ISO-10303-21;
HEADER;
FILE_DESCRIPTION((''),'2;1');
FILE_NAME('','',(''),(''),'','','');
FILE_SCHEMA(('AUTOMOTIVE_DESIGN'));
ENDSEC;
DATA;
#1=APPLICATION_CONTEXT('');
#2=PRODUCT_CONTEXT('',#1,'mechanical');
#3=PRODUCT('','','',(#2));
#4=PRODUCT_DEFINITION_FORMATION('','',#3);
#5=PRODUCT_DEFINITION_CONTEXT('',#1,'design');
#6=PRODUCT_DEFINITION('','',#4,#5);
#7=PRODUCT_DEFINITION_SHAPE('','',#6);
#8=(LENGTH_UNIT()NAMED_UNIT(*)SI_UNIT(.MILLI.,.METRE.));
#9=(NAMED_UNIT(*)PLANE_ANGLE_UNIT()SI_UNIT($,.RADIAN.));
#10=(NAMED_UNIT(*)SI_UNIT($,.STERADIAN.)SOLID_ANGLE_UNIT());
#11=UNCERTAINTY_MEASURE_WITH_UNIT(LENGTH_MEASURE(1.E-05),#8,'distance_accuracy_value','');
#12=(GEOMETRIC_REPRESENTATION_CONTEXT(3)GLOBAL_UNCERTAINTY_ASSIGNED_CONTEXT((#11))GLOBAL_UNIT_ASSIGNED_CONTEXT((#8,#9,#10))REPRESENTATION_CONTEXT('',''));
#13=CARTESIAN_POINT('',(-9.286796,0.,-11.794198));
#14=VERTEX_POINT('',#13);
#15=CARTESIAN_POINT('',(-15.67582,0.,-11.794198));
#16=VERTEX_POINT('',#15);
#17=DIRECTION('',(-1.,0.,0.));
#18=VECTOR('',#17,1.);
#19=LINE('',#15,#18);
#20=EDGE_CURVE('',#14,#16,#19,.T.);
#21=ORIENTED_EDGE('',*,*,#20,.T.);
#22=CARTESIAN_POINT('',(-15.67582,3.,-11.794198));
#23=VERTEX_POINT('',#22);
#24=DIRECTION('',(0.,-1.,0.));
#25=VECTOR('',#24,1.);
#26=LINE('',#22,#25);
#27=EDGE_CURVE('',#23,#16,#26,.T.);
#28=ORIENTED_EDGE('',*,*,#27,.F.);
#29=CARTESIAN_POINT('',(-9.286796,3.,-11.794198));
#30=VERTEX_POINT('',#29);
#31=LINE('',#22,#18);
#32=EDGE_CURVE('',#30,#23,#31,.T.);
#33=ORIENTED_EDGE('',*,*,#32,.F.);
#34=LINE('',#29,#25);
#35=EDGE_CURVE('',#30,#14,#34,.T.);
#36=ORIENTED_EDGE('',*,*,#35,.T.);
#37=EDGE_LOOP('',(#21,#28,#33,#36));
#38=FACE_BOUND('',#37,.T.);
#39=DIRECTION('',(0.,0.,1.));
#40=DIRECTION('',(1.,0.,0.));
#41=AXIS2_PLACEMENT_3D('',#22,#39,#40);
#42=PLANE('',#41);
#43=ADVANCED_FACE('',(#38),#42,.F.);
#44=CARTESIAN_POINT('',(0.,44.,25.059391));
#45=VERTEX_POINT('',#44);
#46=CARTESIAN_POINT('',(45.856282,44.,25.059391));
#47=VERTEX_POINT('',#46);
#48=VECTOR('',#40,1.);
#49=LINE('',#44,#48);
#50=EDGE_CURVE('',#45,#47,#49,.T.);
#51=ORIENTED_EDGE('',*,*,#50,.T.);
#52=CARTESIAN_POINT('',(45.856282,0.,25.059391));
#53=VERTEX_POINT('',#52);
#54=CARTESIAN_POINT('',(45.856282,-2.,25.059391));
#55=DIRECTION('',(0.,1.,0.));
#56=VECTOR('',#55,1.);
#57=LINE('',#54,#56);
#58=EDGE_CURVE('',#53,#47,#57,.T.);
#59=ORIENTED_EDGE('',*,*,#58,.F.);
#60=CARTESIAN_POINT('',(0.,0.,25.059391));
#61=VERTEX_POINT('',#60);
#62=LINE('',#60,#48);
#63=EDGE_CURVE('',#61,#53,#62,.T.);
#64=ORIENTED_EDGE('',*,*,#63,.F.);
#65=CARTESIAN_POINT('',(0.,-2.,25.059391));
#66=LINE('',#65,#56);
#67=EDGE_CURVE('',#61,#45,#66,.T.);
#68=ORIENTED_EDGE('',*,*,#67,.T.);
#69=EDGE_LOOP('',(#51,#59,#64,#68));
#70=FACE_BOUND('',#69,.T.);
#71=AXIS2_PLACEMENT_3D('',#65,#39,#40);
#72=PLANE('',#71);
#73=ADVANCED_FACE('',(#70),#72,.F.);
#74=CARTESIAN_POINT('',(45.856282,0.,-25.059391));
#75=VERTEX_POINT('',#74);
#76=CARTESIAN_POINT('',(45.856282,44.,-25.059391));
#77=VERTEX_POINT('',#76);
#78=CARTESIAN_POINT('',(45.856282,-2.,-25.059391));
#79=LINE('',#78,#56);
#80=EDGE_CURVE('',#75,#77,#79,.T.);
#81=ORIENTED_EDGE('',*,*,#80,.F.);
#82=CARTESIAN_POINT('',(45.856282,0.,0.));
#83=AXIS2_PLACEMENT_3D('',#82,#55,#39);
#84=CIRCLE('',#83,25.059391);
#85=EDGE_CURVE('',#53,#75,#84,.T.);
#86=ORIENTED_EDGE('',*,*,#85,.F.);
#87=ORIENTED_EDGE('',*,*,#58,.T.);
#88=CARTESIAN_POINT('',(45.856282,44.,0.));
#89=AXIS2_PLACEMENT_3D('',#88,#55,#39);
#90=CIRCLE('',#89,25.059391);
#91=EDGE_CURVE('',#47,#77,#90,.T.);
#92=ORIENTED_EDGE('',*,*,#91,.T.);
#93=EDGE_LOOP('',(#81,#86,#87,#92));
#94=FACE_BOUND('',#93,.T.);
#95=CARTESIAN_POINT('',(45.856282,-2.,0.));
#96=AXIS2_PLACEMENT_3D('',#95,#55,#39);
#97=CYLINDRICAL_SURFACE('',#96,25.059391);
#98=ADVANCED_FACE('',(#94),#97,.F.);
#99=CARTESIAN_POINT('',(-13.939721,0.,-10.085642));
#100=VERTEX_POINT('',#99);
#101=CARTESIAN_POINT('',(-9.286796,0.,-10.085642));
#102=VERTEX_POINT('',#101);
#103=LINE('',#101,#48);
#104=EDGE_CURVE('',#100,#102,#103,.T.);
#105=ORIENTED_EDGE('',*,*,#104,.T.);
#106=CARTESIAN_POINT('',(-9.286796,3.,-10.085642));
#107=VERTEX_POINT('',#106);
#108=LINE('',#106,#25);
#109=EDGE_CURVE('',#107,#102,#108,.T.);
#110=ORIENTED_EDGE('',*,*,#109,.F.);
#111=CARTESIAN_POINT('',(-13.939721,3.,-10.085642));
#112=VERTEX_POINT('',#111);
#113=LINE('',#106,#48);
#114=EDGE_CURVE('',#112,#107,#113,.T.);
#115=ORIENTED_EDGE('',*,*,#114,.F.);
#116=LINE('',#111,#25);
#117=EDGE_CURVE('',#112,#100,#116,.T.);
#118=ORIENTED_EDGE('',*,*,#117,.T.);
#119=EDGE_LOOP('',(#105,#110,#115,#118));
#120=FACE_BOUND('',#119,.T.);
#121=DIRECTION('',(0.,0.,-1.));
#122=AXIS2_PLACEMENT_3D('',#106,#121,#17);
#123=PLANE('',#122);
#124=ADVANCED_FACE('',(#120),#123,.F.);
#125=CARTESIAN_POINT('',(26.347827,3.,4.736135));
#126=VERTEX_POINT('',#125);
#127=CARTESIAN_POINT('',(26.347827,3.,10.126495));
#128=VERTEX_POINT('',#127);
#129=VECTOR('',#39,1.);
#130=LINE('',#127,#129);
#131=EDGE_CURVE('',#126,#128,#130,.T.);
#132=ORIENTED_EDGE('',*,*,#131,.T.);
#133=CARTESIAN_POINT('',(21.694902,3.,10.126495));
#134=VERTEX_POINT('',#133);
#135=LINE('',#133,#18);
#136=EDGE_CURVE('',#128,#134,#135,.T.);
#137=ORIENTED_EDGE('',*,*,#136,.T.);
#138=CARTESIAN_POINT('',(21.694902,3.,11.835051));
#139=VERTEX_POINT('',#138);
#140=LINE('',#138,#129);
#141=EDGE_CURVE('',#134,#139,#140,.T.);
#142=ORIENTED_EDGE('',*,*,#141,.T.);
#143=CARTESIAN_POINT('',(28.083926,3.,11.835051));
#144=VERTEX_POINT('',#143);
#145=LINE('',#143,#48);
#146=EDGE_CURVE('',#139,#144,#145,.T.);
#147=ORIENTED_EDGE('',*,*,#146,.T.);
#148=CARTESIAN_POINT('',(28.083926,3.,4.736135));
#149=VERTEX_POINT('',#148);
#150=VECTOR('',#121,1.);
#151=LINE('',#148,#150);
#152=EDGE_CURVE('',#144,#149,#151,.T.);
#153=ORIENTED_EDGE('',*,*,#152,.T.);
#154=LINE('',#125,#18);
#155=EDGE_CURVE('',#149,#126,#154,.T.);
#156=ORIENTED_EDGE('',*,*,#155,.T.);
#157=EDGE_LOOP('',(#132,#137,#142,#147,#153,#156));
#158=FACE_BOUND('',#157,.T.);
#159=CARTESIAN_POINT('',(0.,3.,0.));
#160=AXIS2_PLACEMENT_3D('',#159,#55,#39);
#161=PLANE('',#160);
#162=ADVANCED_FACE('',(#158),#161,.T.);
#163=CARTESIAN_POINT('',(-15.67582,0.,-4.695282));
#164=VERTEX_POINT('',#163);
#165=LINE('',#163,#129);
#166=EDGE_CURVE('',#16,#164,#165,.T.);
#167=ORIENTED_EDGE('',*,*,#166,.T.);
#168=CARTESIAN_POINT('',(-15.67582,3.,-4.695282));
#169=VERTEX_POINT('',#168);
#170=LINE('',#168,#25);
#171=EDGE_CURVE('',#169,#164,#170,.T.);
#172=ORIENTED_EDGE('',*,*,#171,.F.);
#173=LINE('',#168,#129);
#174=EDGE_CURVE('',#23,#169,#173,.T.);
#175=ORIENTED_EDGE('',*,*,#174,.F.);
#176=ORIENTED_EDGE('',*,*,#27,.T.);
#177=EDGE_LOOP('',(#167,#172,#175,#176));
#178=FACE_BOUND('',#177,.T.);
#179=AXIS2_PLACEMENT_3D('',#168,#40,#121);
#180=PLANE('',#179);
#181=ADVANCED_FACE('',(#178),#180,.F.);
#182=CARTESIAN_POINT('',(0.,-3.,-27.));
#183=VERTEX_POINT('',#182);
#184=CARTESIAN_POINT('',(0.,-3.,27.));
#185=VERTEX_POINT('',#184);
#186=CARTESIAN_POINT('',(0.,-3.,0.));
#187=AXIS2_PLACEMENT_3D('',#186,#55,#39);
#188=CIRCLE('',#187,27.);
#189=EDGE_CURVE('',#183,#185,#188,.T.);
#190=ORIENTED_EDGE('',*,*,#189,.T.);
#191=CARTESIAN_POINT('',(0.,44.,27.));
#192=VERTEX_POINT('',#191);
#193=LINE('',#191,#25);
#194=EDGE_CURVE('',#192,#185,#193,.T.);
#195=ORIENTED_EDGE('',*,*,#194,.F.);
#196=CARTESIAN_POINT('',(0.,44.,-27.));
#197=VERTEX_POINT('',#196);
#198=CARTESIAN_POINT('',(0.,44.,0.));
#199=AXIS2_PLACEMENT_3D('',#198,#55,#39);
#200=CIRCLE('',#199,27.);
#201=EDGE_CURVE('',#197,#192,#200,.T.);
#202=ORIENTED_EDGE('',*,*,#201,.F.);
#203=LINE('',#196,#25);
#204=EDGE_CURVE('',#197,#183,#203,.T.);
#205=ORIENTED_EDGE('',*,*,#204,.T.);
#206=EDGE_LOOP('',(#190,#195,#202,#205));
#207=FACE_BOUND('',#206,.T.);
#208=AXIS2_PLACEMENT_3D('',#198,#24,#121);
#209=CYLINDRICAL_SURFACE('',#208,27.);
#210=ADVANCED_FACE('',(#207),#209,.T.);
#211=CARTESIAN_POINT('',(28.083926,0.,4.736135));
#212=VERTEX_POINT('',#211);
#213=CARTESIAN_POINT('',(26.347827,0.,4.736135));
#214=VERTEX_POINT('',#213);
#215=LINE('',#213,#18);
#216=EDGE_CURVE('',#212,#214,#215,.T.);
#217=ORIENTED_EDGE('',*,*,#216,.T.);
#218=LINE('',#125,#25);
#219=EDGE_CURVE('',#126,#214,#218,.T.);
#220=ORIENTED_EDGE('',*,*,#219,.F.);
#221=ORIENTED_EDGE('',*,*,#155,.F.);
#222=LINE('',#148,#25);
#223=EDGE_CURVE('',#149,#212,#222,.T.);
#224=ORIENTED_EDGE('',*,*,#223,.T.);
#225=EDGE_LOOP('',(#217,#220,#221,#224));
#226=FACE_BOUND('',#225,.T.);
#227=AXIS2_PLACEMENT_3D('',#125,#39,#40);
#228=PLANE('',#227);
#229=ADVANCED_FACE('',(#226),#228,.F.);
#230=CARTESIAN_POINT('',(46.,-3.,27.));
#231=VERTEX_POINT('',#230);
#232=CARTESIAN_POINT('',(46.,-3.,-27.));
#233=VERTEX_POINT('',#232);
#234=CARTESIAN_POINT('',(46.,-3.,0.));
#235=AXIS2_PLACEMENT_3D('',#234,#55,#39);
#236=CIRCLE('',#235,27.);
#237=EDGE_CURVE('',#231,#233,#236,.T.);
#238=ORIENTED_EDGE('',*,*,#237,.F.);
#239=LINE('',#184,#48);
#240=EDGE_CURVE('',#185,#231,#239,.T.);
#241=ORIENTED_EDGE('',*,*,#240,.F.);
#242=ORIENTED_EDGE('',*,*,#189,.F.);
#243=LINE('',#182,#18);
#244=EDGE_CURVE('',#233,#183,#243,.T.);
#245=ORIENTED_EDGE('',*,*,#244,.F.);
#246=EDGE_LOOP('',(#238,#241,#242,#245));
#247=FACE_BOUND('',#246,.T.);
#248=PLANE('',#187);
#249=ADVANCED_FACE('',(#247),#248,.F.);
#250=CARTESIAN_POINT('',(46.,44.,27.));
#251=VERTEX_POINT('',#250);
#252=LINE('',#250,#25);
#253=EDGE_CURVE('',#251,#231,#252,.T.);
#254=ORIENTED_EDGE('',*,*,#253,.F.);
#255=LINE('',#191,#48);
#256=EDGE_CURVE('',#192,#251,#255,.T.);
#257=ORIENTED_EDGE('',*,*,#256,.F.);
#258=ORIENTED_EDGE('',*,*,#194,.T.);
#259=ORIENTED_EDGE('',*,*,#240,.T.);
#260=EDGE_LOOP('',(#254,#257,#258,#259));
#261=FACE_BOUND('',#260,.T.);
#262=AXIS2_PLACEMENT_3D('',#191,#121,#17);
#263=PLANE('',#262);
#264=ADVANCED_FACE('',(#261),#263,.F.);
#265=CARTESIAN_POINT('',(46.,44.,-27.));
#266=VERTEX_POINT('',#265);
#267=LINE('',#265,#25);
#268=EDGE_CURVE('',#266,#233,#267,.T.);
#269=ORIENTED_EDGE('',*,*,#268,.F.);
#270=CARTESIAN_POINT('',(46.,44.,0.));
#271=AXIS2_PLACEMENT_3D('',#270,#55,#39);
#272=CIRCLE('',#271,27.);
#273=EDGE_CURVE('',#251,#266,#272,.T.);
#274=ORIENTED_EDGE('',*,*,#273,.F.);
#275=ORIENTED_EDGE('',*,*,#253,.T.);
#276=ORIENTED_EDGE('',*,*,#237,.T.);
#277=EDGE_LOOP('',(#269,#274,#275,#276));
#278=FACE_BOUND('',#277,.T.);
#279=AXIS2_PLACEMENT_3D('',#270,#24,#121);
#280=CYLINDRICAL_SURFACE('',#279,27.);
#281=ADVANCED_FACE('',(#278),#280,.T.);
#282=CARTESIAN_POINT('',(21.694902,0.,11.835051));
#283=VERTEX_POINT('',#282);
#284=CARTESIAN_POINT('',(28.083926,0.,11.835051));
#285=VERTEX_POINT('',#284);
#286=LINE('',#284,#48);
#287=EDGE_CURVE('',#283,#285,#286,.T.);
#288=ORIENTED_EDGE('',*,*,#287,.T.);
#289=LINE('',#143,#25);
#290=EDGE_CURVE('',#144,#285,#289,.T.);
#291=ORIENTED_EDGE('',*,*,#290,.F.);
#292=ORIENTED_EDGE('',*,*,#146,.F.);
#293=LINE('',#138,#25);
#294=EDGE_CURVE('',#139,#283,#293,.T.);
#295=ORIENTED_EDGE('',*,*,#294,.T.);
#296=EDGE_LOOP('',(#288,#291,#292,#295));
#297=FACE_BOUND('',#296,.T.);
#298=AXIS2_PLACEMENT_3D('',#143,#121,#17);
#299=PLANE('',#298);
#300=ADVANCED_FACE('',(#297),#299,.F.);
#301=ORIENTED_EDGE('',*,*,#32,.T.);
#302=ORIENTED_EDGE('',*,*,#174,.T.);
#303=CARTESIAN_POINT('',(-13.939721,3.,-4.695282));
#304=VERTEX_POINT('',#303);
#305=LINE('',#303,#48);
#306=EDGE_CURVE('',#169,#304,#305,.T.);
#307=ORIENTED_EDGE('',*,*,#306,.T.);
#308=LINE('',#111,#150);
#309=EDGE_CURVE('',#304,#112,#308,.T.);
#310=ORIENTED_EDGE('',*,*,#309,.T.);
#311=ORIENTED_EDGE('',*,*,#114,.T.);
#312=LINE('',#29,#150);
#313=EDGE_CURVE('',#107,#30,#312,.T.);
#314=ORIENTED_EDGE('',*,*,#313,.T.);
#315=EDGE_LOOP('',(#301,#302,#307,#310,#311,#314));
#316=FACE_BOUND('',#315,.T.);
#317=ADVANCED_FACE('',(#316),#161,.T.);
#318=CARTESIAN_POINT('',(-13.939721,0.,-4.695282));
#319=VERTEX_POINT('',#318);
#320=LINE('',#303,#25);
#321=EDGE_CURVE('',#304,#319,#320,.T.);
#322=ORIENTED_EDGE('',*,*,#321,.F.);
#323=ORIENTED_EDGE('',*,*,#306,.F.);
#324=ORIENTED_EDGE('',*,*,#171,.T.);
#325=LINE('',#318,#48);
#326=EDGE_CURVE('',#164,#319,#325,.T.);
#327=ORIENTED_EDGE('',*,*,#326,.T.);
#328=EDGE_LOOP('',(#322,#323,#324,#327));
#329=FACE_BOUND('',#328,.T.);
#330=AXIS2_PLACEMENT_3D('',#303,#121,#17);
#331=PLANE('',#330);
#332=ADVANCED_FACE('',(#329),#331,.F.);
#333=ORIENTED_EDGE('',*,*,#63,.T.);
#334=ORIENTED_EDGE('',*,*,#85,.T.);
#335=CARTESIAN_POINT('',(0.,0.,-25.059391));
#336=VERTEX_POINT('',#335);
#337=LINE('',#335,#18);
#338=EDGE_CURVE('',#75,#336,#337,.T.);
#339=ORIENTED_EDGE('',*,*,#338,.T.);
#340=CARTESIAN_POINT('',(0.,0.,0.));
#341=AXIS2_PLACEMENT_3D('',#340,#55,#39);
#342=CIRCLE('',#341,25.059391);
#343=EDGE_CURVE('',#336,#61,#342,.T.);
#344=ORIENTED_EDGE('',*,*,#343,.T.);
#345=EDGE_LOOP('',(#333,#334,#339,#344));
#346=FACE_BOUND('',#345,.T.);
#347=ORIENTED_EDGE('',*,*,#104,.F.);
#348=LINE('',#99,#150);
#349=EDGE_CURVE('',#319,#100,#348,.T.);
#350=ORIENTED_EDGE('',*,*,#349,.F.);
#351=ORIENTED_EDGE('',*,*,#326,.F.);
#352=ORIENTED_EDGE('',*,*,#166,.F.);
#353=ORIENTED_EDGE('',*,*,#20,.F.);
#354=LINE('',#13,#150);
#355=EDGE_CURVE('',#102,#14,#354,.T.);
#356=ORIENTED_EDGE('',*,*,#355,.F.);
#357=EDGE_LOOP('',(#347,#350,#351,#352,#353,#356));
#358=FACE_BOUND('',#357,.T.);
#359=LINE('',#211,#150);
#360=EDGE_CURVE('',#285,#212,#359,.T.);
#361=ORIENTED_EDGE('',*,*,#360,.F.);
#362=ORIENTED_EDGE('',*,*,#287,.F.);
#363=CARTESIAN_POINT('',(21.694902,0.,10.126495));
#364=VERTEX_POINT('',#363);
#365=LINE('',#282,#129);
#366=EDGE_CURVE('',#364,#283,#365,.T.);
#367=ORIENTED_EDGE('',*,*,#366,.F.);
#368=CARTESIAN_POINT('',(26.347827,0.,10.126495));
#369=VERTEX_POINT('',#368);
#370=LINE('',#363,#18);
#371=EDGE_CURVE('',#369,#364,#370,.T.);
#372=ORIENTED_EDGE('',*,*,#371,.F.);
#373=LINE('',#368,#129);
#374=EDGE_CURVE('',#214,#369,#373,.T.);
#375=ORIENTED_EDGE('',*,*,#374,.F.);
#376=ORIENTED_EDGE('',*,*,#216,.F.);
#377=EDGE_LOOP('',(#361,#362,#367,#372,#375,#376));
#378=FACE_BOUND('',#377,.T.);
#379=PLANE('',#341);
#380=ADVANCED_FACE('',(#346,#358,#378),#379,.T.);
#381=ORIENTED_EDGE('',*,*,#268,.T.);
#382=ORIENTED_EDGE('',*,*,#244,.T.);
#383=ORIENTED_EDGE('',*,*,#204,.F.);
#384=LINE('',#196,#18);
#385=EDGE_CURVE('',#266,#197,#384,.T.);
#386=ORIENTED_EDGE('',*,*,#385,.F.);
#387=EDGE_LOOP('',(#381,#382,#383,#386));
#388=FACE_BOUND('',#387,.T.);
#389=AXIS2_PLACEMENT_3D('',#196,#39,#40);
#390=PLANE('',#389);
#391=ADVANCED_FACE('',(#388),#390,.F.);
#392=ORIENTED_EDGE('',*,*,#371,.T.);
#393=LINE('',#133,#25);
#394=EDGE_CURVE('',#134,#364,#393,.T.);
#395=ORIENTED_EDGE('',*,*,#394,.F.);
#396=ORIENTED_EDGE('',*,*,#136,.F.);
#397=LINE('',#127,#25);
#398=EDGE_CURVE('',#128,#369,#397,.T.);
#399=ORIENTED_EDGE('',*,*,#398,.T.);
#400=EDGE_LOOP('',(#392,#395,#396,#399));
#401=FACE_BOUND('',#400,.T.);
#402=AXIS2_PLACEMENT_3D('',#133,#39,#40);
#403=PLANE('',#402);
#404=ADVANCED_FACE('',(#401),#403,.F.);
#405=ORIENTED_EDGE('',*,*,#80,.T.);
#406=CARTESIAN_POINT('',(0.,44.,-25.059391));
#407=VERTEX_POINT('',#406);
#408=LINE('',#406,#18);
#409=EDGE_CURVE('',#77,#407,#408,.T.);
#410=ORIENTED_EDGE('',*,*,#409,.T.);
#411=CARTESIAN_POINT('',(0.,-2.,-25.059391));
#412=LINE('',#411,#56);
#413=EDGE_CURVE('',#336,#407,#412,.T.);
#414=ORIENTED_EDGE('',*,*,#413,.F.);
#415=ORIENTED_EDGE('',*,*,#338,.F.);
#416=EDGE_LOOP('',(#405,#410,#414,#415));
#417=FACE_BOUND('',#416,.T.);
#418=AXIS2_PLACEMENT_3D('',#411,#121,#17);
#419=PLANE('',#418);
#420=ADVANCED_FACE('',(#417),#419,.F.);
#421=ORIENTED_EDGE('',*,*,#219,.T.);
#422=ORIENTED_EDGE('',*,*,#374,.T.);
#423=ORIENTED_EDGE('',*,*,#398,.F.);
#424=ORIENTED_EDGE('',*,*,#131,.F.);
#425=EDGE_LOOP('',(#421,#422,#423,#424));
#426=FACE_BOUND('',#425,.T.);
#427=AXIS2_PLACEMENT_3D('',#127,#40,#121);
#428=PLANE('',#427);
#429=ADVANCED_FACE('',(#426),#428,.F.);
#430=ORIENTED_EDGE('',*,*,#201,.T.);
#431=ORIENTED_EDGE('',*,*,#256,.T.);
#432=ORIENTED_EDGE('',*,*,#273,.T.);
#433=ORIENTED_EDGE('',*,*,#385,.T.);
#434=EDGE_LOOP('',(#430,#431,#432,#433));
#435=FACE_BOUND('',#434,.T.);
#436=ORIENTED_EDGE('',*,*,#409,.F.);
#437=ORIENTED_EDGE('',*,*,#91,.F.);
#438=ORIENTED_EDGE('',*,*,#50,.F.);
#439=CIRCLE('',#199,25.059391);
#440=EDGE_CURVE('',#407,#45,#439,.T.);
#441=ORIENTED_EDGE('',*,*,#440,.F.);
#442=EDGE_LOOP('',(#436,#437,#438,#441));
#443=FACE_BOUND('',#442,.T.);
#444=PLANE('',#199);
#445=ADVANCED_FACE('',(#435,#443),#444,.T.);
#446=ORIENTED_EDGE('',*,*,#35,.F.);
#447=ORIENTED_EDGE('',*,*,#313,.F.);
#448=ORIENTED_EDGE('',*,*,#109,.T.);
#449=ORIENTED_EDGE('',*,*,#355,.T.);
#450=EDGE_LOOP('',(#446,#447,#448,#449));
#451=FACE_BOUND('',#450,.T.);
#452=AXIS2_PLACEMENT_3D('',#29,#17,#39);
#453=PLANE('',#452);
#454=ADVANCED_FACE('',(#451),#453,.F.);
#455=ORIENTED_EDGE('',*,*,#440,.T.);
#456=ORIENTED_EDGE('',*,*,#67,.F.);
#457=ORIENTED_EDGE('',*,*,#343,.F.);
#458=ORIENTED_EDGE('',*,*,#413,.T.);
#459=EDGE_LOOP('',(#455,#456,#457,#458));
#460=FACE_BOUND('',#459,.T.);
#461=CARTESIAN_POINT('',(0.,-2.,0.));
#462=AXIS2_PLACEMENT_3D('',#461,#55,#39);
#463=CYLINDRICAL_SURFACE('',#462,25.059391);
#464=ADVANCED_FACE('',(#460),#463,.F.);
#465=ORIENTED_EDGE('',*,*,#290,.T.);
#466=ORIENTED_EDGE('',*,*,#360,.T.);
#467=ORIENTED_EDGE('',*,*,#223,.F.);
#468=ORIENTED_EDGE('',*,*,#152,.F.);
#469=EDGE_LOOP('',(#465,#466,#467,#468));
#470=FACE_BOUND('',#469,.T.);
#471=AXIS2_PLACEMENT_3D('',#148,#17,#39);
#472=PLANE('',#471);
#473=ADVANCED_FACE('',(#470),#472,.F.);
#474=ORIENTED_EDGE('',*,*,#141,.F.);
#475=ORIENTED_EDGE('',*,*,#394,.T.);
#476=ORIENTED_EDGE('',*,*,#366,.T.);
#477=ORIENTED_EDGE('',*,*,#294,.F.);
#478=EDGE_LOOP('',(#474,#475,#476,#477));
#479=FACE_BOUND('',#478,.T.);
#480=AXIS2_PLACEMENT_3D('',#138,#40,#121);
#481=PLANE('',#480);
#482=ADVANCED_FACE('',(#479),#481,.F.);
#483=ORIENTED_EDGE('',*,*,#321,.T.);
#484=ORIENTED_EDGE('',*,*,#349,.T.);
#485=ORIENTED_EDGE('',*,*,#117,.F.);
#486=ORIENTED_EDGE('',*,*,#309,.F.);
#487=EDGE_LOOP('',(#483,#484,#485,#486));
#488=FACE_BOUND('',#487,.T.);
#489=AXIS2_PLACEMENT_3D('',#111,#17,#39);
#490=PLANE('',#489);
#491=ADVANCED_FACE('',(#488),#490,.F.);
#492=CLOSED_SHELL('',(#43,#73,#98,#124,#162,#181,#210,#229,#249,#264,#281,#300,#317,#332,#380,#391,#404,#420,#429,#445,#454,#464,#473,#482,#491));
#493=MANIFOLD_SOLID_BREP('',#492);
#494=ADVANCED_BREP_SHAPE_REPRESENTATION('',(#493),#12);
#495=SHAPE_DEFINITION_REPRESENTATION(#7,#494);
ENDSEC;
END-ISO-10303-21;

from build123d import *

# Parameters (mm, degrees)
BOSS_EXTRUDE1_DEPTH     = 44
CUT_EXTRUDE1_DEPTH      = 46
CUT_EXTRUDE1_DEPTH_BACK = 2
BOSS_EXTRUDE3_DEPTH     = 3
BOSS_EXTRUDE4_DEPTH     = 3


with BuildPart() as part:
    # Sketch2 → Boss-Extrude1 (new body)
    with BuildSketch(Plane(origin=(0, 0, 0), x_dir=(1, 0, 0), z_dir=(0, 1, 0))):
        with BuildLine():
            Line((0, 27), (46, 27))
            ThreePointArc((46, 27), (73, 0), (46, -27))
            Line((46, -27), (0, -27))
            ThreePointArc((0, -27), (-27, 0), (0, 27))
        make_face()
    extrude(amount=BOSS_EXTRUDE1_DEPTH)

    # Sketch3 → Cut-Extrude1 (cut, two sides)
    with BuildSketch(Plane(origin=(0, 0, 0), x_dir=(1, 0, 0), z_dir=(0, 1, 0))) as cut_extrude1_sk:
        with BuildLine():
            Line((0, 25.059391222), (45.856281638, 25.059391222))
            ThreePointArc((45.856281638, 25.059391222), (70.91567286, 0), (45.856281638, -25.059391222))
            Line((45.856281638, -25.059391222), (0, -25.059391222))
            ThreePointArc((0, -25.059391222), (-25.059391222, 0), (0, 25.059391222))
        make_face()
    extrude(amount=CUT_EXTRUDE1_DEPTH, mode=Mode.SUBTRACT)
    extrude(cut_extrude1_sk.sketch, amount=-CUT_EXTRUDE1_DEPTH_BACK, mode=Mode.SUBTRACT)

    # Sketch4 → Boss-Extrude3 (add)
    with BuildSketch(Plane(origin=(0, 0, 0), x_dir=(1, 0, 0), z_dir=(0, 1, 0))):
        with BuildLine():
            Line((0, 27), (46, 27))
            ThreePointArc((46, 27), (73, 0), (46, -27))
            Line((46, -27), (0, -27))
            ThreePointArc((0, -27), (-27, 0), (0, 27))
        make_face()
    extrude(amount=-BOSS_EXTRUDE3_DEPTH)

    # Sketch5 → Boss-Extrude4 (add)
    with BuildSketch(Plane(origin=(0, 0, 0), x_dir=(1, 0, 0), z_dir=(0, 1, 0))):
        Polygon((-13.939721019, 10.08564224), (-13.939721019, 4.695281904), (-15.675819956, 4.695281904), (-15.675819956, 11.794197793), (-9.286795656, 11.794197793), (-9.286795656, 10.08564224), align=None)
        Polygon((26.347826906, -10.126495255), (26.347826906, -4.736134919), (28.083925843, -4.736134919), (28.083925843, -11.835050808), (21.694901543, -11.835050808), (21.694901543, -10.126495255), align=None)
    extrude(amount=BOSS_EXTRUDE4_DEPTH)


solid = part.part
